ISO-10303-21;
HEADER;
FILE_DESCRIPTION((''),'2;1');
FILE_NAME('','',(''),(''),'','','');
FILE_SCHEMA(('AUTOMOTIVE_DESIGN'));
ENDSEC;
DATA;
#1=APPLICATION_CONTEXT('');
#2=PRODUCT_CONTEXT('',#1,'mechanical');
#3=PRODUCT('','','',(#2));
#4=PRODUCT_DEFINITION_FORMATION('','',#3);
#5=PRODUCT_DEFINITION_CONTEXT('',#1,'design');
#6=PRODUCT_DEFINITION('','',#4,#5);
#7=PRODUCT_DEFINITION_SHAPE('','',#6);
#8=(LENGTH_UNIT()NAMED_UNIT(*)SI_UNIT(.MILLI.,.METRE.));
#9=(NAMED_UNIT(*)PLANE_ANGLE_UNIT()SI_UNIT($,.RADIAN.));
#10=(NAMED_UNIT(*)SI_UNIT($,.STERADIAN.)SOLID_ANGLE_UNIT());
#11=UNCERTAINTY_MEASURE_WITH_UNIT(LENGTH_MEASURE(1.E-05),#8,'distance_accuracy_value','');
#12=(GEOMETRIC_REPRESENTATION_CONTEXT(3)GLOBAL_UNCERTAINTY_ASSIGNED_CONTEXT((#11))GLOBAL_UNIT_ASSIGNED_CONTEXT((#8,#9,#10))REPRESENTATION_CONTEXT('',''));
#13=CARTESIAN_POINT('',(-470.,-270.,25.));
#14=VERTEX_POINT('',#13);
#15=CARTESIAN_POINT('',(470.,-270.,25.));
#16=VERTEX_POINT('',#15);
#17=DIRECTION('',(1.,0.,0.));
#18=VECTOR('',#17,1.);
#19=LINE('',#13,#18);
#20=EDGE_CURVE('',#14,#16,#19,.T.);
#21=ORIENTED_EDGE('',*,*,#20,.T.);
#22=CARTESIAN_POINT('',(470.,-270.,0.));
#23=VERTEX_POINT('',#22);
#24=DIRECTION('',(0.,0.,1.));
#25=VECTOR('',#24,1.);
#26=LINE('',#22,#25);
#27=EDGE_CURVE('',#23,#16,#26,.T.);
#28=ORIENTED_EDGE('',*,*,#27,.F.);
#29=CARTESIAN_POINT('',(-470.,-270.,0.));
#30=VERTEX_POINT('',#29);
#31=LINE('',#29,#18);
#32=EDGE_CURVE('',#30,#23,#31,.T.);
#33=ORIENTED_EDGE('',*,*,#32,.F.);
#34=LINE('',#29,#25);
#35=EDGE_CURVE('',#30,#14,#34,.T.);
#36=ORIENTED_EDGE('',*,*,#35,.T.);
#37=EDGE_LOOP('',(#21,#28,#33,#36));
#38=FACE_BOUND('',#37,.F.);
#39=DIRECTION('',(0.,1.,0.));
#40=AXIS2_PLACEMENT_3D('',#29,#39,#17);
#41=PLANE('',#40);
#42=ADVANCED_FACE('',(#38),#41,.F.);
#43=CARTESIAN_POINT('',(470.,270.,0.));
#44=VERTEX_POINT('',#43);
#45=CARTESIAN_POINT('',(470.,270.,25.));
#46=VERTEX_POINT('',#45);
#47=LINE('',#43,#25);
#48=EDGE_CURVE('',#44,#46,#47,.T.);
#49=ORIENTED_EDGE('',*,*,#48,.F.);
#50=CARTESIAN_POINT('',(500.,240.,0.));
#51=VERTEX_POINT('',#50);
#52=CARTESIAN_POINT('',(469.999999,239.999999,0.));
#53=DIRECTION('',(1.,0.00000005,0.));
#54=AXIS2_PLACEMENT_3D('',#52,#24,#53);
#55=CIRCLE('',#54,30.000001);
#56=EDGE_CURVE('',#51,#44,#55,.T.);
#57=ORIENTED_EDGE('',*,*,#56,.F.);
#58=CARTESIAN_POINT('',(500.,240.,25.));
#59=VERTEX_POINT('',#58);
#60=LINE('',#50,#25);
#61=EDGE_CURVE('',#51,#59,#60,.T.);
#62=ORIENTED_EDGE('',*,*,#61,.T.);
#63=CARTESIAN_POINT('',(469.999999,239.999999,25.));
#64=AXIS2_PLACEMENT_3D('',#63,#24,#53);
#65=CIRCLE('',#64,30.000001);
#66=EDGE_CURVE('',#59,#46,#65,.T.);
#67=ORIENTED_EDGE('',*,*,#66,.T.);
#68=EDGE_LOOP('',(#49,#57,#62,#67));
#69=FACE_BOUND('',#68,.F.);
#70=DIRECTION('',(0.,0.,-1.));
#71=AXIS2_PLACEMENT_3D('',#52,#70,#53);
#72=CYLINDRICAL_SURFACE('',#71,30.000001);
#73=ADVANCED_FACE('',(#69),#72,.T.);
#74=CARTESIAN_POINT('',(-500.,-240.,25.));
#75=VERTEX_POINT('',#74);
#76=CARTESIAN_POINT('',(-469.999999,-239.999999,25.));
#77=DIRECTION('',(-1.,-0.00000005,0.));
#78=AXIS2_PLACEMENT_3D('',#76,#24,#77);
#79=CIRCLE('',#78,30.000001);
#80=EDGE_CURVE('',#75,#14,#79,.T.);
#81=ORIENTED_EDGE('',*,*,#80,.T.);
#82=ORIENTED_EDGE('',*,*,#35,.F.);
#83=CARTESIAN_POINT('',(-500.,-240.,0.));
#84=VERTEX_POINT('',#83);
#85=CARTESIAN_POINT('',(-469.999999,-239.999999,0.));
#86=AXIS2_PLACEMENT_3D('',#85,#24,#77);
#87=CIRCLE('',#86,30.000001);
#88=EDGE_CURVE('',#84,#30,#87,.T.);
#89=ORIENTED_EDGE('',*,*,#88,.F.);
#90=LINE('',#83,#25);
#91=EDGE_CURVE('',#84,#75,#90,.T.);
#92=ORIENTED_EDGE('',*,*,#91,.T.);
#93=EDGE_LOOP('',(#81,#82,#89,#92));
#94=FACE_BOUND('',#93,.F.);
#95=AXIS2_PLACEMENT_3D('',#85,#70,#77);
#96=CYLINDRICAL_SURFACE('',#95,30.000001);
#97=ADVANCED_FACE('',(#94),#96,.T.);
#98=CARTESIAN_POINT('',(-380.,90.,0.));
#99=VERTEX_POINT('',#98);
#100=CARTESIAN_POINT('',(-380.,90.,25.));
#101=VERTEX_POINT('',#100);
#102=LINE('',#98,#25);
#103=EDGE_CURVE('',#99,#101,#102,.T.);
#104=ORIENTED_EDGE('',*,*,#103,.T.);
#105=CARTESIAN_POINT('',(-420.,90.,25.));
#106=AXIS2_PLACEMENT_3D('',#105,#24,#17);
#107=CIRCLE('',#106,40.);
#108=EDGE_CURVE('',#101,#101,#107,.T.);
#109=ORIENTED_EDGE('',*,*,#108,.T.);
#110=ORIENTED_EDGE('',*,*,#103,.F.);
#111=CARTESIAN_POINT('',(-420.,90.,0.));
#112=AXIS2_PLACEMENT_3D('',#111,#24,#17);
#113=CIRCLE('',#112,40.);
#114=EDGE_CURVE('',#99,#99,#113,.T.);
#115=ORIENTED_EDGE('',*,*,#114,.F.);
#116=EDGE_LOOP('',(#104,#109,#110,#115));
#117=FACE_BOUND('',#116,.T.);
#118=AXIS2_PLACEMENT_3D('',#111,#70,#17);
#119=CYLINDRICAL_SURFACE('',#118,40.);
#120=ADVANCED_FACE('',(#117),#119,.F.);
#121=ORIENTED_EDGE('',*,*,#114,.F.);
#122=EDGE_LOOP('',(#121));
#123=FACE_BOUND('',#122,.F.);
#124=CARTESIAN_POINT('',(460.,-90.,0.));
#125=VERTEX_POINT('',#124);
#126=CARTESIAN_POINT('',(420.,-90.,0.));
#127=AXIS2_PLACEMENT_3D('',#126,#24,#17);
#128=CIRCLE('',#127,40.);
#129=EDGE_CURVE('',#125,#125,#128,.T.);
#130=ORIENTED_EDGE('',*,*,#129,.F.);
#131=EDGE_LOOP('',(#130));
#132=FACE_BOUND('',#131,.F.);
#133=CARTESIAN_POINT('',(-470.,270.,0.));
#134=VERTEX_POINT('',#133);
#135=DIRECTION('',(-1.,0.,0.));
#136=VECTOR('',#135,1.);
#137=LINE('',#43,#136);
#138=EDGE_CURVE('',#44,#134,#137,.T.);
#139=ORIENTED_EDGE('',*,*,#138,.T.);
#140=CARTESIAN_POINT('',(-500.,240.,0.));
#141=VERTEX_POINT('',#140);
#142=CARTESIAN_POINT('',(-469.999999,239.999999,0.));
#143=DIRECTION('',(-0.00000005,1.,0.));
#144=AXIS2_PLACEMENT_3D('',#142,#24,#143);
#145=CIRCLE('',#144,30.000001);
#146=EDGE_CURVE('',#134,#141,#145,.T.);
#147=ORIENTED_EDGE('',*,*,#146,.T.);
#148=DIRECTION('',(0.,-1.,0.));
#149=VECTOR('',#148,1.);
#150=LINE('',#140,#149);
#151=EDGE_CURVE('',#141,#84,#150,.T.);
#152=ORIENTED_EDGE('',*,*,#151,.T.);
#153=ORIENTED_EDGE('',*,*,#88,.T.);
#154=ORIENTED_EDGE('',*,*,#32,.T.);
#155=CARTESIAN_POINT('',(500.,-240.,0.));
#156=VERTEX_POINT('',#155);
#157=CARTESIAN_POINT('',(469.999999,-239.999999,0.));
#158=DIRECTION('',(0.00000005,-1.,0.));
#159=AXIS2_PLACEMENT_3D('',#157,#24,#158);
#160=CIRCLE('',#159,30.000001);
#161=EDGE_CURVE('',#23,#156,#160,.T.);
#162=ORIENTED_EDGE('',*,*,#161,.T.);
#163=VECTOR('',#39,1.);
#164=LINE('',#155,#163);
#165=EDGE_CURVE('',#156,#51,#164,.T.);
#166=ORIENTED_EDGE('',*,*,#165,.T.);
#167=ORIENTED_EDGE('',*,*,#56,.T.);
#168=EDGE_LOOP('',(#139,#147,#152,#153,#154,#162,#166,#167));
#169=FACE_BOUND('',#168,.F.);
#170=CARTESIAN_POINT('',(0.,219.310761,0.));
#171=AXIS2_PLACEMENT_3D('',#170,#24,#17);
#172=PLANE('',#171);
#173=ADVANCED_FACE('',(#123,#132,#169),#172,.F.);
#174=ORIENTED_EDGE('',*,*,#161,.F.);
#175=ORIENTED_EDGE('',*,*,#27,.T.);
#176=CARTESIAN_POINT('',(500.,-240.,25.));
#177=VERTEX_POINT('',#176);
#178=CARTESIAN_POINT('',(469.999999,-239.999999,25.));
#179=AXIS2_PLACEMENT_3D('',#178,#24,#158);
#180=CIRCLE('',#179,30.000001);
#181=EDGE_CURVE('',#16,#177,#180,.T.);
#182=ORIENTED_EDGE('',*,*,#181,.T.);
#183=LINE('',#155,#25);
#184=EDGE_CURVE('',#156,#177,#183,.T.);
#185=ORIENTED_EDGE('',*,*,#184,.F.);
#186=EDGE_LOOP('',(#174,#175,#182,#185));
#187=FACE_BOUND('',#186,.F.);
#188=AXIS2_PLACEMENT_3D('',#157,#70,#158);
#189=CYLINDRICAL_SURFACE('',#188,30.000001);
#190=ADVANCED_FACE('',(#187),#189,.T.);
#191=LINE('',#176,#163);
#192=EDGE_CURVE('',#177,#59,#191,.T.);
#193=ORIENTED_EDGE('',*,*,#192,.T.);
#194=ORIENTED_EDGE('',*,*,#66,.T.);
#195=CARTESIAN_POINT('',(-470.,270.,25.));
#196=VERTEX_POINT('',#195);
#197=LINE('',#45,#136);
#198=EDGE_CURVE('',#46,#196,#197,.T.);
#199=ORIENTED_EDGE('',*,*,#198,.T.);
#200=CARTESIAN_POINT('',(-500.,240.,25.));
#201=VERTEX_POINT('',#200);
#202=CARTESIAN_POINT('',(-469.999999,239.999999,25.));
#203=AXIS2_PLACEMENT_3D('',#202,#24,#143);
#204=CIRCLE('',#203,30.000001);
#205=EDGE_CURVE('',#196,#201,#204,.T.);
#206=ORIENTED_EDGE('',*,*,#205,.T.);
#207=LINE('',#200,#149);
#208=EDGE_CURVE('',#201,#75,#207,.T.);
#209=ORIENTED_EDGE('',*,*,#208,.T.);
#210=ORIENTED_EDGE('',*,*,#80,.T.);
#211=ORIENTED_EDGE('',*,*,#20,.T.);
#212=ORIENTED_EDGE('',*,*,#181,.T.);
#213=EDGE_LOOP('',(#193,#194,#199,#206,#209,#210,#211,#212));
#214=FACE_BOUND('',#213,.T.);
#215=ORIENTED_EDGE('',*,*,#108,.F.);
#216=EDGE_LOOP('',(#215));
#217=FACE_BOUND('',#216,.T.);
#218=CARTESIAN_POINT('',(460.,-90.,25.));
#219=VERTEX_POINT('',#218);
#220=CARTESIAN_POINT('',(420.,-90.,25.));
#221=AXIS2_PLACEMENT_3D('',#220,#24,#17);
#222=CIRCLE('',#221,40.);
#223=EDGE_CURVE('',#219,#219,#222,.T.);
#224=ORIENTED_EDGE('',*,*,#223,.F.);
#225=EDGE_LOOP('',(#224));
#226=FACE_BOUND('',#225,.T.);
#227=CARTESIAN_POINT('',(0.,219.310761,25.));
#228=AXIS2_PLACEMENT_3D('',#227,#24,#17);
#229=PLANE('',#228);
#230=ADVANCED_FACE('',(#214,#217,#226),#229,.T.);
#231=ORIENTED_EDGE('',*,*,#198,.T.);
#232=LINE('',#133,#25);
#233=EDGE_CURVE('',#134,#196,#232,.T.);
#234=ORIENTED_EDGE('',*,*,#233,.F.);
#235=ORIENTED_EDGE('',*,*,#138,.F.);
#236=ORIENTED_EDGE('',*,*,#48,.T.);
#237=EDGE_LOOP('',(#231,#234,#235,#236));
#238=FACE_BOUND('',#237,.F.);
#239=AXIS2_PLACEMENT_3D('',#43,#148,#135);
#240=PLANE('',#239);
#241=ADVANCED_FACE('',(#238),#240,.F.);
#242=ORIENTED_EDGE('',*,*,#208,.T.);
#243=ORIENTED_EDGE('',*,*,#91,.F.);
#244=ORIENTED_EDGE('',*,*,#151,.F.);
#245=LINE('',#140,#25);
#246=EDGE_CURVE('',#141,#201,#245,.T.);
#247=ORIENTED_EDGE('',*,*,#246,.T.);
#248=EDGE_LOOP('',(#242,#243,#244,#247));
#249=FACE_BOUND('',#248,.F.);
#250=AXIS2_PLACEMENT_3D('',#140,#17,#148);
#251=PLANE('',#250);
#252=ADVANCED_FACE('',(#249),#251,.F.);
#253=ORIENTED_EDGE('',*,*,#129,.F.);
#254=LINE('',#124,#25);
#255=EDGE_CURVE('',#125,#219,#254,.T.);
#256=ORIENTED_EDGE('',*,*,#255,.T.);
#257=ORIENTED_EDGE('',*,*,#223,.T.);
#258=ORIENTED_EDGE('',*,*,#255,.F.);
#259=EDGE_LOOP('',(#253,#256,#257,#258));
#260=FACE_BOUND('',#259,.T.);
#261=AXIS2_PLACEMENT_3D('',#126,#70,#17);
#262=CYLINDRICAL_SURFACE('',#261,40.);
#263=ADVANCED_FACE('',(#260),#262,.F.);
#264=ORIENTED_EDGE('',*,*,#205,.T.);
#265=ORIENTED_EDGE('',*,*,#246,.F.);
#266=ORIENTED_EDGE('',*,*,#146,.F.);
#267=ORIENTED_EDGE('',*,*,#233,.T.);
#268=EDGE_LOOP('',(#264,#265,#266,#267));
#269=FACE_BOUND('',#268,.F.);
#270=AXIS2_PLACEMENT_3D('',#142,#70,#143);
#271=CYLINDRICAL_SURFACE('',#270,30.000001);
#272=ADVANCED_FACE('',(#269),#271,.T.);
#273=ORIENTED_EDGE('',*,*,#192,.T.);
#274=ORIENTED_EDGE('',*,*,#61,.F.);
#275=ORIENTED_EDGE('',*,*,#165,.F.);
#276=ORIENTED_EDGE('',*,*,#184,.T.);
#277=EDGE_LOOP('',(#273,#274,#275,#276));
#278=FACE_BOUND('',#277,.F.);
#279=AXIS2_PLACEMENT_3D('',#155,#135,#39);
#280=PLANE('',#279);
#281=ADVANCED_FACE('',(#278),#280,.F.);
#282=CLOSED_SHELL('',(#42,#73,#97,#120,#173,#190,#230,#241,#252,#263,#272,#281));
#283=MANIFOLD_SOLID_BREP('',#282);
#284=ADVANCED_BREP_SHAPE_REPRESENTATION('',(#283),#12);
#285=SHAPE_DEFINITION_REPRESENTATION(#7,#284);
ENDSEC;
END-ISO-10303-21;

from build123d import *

# Parameters (mm, degrees)
F0_W     = 1000
F0_H     = 340
F0_R     = 40
F1_DEPTH = 25


with BuildPart() as f1:
    # F0 (on Top) → F1 (new body)
    with BuildSketch(Plane.XY):
        with BuildLine():
            ThreePointArc((500, 240), (491.213203, 261.213203), (470, 270))
            Line((470, 270), (-470, 270))
            ThreePointArc((-470, 270), (-491.213203, 261.213203), (-500, 240))
            Line((-500, 240), (-500, 170))
            Line((-500, 170), (500, 170))
            Line((500, 170), (500, 240))
        make_face()
        with BuildLine():
            Line((500, -240), (500, -170))
            Line((500, -170), (-500, -170))
            Line((-500, -170), (-500, -240))
            ThreePointArc((-500, -240), (-491.213203, -261.213203), (-470, -270))
            Line((-470, -270), (470, -270))
            ThreePointArc((470, -270), (491.213203, -261.213203), (500, -240))
        make_face()
        Rectangle(F0_W, F0_H)
        with Locations((420, -90)):
            Circle(F0_R, mode=Mode.SUBTRACT)
        with Locations((-420, 90)):
            Circle(F0_R, mode=Mode.SUBTRACT)
    extrude(amount=F1_DEPTH)


solid = f1.part
